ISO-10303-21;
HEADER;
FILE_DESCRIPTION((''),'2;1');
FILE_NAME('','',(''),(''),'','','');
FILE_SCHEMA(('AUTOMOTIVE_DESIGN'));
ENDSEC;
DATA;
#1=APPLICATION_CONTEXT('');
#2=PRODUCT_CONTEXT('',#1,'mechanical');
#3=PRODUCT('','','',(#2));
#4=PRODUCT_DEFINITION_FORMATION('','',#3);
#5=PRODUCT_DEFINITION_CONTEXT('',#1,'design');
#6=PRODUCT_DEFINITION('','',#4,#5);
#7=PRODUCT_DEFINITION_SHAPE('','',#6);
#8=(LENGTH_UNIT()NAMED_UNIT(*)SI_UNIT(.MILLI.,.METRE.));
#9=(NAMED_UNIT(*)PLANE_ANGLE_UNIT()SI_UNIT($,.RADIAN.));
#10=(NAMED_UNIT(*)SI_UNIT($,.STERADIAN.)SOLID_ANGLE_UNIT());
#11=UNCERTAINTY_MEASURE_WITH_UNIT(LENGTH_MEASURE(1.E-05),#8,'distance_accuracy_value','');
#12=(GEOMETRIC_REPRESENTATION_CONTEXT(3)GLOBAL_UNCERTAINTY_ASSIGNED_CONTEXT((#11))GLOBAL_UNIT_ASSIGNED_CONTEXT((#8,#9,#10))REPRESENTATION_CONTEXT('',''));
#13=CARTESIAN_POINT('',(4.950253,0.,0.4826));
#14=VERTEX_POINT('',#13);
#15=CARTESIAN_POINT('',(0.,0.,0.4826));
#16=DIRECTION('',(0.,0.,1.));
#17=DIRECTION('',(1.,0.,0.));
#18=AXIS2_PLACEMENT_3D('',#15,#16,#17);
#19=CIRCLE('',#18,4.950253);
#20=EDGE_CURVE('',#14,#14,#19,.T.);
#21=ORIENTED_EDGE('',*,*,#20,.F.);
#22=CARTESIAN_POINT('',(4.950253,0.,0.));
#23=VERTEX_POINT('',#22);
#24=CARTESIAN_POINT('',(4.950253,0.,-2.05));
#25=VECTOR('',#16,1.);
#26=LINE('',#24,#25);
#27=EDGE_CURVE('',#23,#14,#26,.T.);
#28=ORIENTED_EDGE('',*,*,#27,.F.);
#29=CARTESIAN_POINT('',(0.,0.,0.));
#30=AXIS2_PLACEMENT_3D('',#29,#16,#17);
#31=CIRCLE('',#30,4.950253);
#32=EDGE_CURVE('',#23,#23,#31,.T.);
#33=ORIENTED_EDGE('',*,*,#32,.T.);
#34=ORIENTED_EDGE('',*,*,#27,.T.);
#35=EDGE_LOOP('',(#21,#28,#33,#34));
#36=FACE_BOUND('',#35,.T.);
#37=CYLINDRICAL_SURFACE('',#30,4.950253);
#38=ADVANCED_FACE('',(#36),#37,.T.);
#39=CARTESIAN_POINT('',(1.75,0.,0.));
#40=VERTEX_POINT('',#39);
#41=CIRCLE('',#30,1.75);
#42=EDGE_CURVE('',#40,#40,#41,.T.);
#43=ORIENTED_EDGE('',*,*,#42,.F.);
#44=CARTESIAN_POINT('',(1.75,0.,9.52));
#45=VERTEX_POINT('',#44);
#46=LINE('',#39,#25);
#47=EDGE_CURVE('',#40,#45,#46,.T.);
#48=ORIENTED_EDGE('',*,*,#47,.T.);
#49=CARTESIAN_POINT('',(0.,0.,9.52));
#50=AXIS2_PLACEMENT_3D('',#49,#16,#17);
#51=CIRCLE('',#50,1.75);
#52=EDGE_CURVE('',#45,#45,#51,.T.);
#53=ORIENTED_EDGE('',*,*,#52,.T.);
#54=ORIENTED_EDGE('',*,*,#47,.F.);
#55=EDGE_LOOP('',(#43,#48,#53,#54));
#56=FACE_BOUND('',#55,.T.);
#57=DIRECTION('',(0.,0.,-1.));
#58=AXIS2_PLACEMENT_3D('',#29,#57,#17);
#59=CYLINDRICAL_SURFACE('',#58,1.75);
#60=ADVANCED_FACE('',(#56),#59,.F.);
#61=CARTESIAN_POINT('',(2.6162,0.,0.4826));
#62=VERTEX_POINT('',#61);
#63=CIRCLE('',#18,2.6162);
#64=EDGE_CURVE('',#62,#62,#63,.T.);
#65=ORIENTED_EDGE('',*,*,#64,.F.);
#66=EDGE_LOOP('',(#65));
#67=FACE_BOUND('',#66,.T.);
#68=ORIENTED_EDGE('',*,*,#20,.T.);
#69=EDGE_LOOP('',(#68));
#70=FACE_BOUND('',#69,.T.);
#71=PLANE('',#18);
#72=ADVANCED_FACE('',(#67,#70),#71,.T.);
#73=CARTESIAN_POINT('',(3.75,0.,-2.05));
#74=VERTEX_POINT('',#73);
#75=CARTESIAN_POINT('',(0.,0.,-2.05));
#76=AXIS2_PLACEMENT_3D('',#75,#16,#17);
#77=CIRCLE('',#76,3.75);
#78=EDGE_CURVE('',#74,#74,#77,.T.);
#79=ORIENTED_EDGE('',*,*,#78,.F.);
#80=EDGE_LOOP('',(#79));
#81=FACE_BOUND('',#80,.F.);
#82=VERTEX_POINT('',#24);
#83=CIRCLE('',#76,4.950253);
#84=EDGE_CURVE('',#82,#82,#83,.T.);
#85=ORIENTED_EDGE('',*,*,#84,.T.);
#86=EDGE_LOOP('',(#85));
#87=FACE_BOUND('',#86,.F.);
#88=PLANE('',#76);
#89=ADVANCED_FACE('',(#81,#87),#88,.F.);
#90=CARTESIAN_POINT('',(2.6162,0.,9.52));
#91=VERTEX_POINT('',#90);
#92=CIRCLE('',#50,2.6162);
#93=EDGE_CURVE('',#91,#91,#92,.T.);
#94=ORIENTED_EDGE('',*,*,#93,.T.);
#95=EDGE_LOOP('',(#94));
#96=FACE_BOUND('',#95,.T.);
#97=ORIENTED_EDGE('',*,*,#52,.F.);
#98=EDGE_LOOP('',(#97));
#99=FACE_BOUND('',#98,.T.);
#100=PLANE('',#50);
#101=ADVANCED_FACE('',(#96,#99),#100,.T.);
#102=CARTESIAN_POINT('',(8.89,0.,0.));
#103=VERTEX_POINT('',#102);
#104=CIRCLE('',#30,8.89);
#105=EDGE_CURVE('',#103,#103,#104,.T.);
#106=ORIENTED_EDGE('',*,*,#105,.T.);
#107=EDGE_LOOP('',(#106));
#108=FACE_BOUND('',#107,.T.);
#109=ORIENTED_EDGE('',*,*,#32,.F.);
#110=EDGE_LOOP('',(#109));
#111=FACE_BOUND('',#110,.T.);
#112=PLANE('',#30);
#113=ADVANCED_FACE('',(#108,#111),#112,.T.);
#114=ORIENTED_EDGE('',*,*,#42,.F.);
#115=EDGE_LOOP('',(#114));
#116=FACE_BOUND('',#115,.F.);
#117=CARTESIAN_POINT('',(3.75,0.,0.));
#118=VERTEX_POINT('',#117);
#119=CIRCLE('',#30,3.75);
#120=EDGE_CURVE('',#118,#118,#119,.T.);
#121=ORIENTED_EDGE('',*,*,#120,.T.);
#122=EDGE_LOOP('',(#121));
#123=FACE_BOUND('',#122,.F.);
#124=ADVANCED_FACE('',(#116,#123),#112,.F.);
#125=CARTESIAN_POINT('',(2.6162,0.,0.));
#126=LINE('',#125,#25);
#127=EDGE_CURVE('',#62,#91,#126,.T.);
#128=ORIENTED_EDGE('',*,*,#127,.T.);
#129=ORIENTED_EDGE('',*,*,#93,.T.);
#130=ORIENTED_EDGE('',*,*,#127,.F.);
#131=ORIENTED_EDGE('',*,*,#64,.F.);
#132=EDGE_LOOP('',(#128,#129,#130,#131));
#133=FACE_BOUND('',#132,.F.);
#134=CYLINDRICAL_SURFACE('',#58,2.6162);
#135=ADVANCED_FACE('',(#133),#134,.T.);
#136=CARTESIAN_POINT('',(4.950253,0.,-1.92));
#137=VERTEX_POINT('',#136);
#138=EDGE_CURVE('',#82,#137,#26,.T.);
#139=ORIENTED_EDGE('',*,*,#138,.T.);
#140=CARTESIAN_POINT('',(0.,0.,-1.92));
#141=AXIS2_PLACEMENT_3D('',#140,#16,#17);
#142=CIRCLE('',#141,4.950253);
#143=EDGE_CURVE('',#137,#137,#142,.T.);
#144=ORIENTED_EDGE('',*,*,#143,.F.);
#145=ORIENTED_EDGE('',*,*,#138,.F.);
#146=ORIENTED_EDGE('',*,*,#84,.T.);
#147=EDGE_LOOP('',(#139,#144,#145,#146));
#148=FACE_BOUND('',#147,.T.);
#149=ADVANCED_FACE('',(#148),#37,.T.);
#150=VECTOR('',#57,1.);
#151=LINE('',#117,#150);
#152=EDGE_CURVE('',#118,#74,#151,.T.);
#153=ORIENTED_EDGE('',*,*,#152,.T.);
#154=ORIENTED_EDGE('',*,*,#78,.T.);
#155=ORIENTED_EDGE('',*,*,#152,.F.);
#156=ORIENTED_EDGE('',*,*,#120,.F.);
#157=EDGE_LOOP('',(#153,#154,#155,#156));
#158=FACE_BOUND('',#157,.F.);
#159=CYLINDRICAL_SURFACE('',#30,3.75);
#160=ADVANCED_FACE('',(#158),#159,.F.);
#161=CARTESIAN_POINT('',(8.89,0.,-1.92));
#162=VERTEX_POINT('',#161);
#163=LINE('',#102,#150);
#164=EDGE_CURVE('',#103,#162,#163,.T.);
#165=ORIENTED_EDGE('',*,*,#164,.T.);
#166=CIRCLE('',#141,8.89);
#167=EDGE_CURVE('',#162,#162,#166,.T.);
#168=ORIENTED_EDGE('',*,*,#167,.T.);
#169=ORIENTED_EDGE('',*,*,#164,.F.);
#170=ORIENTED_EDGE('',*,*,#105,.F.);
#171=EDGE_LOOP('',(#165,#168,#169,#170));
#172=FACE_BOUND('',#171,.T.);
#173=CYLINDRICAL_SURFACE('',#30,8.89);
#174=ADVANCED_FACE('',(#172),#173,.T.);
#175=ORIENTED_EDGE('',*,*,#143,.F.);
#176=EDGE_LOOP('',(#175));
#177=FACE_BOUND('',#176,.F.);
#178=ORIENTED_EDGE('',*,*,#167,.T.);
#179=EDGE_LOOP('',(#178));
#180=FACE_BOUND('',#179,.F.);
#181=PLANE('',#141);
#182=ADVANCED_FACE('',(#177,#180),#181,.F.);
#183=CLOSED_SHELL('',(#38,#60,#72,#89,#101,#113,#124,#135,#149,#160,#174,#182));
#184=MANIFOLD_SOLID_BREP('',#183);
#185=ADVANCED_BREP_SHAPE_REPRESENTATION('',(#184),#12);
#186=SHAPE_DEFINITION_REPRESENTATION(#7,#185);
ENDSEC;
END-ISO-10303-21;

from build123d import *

# Parameters (mm, degrees)
F0_R     = 2.6162
F0_R_2   = 1.75
F1_DEPTH = 9.52
F0_R_3   = 4.950253
F0_R_4   = 3.75
F2_DEPTH = 0.4826
F3_DEPTH = 2.05
F0_R_5   = 8.89
F4_DEPTH = 1.92


with BuildPart() as f1:
    # F0 (on Top) → F1 (new body)
    with BuildSketch(Plane.XY):
        Circle(F0_R)
        Circle(F0_R_2, mode=Mode.SUBTRACT)
    extrude(amount=F1_DEPTH)

    # F0 (on Top) → F2 (join)
    with BuildSketch(Plane.XY):
        Circle(F0_R_3)
        Circle(F0_R_4, mode=Mode.SUBTRACT)
        Circle(F0_R_4)
        Circle(F0_R, mode=Mode.SUBTRACT)
    extrude(amount=F2_DEPTH)

    # F0 (on Top) → F3 (join)
    with BuildSketch(Plane.XY):
        Circle(F0_R_3)
        Circle(F0_R_4, mode=Mode.SUBTRACT)
    extrude(amount=-F3_DEPTH)

    # F0 (on Top) → F4 (join)
    with BuildSketch(Plane.XY):
        Circle(F0_R_5)
        Circle(F0_R_3, mode=Mode.SUBTRACT)
    extrude(amount=-F4_DEPTH)


solid = f1.part
